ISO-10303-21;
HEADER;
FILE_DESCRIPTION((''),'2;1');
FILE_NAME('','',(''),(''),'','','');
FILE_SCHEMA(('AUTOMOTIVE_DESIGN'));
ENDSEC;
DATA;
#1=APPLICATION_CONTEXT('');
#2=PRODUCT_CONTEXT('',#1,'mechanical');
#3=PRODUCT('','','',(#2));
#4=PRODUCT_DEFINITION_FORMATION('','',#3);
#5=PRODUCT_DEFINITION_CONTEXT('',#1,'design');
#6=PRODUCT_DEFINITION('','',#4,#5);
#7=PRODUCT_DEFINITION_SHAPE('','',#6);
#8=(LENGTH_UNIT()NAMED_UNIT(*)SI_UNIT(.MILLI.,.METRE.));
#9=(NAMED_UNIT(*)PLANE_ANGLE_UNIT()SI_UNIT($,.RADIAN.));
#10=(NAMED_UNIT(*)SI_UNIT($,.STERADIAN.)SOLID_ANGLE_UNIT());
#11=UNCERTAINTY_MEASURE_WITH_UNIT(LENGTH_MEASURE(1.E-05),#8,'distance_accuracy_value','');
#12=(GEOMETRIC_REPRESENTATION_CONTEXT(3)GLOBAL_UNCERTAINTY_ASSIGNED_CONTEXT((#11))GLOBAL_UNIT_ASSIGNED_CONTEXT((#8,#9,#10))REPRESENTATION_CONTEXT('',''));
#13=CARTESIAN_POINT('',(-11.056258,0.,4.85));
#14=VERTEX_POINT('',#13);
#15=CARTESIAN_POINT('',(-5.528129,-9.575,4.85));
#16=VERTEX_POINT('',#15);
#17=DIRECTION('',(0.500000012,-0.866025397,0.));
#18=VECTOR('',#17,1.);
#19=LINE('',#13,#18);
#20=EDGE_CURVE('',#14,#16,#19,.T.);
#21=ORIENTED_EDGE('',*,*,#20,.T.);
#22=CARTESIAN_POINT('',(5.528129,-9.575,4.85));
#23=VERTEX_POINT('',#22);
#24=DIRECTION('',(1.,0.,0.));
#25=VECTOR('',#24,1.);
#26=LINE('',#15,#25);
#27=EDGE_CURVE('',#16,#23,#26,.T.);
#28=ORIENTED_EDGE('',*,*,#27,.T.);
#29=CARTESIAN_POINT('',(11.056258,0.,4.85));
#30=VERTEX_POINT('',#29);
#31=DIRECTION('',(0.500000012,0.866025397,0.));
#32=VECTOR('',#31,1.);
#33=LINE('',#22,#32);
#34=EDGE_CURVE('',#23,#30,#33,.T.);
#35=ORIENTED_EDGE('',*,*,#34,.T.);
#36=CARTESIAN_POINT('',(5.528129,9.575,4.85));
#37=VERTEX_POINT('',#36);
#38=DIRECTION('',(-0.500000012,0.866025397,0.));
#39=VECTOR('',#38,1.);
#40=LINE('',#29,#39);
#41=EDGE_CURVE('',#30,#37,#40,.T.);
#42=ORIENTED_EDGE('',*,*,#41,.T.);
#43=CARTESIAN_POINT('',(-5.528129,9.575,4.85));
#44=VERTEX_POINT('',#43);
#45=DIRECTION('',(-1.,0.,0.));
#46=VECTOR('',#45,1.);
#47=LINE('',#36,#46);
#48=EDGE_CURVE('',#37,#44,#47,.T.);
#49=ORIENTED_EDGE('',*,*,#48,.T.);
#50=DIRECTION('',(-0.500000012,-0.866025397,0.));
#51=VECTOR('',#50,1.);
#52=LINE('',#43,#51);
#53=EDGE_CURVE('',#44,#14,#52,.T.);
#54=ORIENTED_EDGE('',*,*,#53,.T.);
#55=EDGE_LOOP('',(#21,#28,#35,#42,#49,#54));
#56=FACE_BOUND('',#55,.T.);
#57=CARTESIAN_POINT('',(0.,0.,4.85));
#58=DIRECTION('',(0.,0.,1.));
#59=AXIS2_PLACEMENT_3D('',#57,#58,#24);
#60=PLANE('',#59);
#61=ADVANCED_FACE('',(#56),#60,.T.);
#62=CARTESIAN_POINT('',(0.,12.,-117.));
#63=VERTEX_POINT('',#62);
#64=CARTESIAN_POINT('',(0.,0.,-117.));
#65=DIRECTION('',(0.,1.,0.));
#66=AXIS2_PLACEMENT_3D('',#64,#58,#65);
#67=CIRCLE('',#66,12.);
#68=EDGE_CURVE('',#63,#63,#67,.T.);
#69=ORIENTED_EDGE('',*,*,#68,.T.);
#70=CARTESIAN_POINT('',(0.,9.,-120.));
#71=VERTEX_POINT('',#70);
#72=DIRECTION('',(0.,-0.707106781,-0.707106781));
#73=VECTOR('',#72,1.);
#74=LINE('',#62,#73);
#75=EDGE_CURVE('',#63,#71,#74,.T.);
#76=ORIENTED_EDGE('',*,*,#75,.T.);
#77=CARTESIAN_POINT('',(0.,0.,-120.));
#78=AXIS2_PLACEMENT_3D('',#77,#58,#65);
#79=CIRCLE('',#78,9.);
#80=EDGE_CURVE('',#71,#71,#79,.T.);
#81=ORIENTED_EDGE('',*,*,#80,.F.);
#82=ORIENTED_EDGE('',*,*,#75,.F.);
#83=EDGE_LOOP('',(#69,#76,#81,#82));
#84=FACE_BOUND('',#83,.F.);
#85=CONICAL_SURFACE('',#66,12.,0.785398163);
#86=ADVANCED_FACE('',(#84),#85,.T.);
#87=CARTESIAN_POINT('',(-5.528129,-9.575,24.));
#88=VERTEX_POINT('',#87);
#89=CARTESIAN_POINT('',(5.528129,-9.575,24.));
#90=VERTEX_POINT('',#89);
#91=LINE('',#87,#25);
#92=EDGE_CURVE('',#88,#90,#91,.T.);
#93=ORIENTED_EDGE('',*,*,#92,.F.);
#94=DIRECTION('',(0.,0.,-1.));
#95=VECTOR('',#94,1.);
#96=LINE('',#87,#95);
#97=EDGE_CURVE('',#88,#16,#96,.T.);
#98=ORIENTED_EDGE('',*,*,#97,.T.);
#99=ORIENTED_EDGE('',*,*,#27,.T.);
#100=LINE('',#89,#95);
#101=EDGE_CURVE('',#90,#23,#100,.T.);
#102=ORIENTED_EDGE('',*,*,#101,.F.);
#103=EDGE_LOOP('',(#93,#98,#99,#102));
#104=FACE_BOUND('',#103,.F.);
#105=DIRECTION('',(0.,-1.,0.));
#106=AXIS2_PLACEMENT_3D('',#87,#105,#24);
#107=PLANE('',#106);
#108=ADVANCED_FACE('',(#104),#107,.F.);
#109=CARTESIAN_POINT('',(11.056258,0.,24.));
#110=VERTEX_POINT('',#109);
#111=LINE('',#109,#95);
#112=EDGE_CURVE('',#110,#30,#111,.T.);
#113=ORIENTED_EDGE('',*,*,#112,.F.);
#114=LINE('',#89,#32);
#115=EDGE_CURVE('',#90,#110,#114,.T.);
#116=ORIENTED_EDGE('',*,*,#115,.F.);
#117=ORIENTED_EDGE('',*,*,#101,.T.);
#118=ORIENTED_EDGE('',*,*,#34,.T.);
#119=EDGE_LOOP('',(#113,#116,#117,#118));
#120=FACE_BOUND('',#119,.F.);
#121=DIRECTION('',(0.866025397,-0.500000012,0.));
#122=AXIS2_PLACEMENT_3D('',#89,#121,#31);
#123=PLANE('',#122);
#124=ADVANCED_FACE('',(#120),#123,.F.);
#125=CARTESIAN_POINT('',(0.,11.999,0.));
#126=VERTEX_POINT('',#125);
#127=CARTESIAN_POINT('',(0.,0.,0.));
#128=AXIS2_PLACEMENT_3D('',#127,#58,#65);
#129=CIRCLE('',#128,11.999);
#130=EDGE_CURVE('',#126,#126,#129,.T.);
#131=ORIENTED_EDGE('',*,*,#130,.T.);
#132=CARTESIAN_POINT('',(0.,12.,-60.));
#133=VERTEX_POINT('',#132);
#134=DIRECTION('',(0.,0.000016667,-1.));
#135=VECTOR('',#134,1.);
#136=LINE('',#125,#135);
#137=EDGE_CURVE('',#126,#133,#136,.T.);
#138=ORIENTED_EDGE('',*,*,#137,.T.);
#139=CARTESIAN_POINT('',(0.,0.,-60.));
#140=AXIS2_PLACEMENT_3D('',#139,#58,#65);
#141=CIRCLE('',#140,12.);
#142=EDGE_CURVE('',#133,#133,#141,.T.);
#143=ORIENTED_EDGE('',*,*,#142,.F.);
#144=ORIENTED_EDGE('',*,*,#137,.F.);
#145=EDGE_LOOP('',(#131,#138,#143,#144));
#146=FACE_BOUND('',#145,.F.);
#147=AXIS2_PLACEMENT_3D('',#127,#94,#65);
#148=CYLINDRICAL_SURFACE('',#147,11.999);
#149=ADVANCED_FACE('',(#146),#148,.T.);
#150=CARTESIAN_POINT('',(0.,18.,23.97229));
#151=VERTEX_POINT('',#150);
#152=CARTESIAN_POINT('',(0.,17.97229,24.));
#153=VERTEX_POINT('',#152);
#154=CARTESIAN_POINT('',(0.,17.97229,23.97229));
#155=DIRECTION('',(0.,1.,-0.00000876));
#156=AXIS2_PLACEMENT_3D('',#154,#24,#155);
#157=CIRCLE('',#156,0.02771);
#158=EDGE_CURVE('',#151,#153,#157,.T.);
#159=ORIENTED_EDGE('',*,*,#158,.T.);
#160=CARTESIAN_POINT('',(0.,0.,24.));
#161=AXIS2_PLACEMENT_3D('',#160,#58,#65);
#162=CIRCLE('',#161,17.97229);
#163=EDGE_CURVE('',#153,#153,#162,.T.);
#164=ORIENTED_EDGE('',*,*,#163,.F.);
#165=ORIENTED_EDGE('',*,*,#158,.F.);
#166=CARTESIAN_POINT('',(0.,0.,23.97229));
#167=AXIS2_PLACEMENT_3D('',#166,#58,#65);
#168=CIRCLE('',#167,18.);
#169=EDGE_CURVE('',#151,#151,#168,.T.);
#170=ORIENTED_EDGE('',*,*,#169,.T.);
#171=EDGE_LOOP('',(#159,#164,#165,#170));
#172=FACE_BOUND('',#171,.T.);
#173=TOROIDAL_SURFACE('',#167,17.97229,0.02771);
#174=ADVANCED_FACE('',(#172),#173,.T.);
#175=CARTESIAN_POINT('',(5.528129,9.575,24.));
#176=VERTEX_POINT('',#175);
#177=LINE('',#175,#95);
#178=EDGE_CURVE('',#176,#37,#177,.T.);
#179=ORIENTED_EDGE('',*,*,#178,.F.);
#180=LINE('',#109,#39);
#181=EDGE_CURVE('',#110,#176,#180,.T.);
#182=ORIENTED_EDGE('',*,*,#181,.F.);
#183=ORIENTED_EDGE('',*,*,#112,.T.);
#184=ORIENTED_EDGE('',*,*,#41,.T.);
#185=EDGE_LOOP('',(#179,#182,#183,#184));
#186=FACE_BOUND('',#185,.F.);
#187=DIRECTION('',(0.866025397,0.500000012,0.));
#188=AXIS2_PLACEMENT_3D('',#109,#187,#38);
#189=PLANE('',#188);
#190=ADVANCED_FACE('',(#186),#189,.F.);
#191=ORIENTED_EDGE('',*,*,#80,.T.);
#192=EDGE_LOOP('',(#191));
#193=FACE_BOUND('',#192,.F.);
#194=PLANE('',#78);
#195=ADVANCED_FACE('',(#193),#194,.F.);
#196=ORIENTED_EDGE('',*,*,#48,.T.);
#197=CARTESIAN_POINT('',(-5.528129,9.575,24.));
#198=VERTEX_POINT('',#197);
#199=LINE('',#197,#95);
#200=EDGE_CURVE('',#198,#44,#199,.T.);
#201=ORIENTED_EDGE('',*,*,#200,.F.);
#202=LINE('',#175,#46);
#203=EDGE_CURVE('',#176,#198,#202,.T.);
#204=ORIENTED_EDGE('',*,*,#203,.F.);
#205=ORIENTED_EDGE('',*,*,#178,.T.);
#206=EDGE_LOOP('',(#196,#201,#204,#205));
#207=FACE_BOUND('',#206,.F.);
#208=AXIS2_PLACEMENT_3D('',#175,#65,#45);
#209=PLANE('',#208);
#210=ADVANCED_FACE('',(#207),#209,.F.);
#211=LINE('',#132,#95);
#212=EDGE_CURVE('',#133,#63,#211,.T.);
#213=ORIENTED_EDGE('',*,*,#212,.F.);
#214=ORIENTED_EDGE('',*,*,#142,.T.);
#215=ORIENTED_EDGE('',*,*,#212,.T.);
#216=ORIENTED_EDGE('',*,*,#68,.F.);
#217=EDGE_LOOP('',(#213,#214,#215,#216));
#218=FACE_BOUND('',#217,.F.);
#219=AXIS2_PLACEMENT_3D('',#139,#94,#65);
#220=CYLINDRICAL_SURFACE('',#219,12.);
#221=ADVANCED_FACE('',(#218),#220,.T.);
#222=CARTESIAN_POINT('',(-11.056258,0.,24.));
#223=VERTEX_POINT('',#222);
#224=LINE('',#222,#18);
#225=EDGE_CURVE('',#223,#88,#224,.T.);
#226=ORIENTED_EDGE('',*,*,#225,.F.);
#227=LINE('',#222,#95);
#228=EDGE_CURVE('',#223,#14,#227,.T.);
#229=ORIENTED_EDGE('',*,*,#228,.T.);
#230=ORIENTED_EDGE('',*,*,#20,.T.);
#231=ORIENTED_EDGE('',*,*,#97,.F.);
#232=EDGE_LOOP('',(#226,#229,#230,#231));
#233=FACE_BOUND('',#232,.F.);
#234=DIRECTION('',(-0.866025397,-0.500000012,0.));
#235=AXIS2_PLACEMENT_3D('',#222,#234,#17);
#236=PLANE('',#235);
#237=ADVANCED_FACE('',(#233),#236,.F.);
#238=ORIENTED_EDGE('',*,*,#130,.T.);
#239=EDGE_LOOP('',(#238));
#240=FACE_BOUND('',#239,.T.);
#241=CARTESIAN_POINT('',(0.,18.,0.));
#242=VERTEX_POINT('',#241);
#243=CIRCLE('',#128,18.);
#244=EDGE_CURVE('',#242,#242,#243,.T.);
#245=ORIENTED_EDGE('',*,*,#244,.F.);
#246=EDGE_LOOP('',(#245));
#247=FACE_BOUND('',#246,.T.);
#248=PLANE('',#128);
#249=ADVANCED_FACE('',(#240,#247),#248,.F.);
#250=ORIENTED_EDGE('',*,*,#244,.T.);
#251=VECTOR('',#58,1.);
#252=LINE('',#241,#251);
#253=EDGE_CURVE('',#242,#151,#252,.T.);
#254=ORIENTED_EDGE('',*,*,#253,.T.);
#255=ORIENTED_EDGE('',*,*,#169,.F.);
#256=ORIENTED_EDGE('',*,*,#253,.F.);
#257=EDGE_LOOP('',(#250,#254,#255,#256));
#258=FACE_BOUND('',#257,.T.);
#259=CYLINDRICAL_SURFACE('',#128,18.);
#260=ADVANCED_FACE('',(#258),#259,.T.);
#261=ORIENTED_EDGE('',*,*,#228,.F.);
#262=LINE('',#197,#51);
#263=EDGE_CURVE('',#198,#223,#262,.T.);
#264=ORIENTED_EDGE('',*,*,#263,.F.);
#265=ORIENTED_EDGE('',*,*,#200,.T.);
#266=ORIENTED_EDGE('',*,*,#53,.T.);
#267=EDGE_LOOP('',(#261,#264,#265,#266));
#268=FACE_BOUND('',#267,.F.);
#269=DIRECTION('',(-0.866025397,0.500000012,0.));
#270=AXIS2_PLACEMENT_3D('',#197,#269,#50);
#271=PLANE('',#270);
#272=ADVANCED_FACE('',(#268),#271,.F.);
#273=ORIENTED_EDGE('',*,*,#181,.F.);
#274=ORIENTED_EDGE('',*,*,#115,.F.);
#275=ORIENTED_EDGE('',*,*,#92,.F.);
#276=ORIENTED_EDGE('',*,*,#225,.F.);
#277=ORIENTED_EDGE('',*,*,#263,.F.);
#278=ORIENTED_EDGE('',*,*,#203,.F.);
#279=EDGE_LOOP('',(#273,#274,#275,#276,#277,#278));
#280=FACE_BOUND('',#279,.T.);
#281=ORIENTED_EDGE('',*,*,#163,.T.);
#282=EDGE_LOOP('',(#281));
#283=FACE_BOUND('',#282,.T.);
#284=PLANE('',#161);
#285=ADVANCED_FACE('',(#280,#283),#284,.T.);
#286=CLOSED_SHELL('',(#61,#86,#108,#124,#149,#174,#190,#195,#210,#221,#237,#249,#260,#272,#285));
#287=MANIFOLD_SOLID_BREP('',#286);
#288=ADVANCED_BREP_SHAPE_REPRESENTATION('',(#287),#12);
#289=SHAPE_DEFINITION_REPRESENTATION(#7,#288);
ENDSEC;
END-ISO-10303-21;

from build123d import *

# Parameters (mm, degrees)
POCKET_DEPTH = 19.15


with BuildPart() as part:
    # Sketch → Revolve (revolve)
    with BuildSketch(Plane.YZ):
        with BuildLine():
            Line((11.999, 0), (18, 0))
            Line((18, 0), (18, 23.97229))
            ThreePointArc((18, 23.97229), (17.991884, 23.991884), (17.97229, 24))
            Line((17.97229, 24), (0, 24))
            Line((0, -120), (0, 24))
            Line((9, -120), (0, -120))
            Line((12, -117), (9, -120))
            Line((12, -60), (12, -117))
            Line((11.999, 0), (12, -60))
        make_face()
    revolve(axis=Axis((0, 0, 0), (0, 0, 1)))

    # Sketch001 → Pocket (cut)
    with BuildSketch(Plane.XY.offset(24)):
        Polygon((11.056258, 0), (5.528129, 9.575), (-5.528129, 9.575), (-11.056258, 0), (-5.528129, -9.575), (5.528129, -9.575), align=None)
    extrude(amount=-POCKET_DEPTH, mode=Mode.SUBTRACT)


solid = part.part
